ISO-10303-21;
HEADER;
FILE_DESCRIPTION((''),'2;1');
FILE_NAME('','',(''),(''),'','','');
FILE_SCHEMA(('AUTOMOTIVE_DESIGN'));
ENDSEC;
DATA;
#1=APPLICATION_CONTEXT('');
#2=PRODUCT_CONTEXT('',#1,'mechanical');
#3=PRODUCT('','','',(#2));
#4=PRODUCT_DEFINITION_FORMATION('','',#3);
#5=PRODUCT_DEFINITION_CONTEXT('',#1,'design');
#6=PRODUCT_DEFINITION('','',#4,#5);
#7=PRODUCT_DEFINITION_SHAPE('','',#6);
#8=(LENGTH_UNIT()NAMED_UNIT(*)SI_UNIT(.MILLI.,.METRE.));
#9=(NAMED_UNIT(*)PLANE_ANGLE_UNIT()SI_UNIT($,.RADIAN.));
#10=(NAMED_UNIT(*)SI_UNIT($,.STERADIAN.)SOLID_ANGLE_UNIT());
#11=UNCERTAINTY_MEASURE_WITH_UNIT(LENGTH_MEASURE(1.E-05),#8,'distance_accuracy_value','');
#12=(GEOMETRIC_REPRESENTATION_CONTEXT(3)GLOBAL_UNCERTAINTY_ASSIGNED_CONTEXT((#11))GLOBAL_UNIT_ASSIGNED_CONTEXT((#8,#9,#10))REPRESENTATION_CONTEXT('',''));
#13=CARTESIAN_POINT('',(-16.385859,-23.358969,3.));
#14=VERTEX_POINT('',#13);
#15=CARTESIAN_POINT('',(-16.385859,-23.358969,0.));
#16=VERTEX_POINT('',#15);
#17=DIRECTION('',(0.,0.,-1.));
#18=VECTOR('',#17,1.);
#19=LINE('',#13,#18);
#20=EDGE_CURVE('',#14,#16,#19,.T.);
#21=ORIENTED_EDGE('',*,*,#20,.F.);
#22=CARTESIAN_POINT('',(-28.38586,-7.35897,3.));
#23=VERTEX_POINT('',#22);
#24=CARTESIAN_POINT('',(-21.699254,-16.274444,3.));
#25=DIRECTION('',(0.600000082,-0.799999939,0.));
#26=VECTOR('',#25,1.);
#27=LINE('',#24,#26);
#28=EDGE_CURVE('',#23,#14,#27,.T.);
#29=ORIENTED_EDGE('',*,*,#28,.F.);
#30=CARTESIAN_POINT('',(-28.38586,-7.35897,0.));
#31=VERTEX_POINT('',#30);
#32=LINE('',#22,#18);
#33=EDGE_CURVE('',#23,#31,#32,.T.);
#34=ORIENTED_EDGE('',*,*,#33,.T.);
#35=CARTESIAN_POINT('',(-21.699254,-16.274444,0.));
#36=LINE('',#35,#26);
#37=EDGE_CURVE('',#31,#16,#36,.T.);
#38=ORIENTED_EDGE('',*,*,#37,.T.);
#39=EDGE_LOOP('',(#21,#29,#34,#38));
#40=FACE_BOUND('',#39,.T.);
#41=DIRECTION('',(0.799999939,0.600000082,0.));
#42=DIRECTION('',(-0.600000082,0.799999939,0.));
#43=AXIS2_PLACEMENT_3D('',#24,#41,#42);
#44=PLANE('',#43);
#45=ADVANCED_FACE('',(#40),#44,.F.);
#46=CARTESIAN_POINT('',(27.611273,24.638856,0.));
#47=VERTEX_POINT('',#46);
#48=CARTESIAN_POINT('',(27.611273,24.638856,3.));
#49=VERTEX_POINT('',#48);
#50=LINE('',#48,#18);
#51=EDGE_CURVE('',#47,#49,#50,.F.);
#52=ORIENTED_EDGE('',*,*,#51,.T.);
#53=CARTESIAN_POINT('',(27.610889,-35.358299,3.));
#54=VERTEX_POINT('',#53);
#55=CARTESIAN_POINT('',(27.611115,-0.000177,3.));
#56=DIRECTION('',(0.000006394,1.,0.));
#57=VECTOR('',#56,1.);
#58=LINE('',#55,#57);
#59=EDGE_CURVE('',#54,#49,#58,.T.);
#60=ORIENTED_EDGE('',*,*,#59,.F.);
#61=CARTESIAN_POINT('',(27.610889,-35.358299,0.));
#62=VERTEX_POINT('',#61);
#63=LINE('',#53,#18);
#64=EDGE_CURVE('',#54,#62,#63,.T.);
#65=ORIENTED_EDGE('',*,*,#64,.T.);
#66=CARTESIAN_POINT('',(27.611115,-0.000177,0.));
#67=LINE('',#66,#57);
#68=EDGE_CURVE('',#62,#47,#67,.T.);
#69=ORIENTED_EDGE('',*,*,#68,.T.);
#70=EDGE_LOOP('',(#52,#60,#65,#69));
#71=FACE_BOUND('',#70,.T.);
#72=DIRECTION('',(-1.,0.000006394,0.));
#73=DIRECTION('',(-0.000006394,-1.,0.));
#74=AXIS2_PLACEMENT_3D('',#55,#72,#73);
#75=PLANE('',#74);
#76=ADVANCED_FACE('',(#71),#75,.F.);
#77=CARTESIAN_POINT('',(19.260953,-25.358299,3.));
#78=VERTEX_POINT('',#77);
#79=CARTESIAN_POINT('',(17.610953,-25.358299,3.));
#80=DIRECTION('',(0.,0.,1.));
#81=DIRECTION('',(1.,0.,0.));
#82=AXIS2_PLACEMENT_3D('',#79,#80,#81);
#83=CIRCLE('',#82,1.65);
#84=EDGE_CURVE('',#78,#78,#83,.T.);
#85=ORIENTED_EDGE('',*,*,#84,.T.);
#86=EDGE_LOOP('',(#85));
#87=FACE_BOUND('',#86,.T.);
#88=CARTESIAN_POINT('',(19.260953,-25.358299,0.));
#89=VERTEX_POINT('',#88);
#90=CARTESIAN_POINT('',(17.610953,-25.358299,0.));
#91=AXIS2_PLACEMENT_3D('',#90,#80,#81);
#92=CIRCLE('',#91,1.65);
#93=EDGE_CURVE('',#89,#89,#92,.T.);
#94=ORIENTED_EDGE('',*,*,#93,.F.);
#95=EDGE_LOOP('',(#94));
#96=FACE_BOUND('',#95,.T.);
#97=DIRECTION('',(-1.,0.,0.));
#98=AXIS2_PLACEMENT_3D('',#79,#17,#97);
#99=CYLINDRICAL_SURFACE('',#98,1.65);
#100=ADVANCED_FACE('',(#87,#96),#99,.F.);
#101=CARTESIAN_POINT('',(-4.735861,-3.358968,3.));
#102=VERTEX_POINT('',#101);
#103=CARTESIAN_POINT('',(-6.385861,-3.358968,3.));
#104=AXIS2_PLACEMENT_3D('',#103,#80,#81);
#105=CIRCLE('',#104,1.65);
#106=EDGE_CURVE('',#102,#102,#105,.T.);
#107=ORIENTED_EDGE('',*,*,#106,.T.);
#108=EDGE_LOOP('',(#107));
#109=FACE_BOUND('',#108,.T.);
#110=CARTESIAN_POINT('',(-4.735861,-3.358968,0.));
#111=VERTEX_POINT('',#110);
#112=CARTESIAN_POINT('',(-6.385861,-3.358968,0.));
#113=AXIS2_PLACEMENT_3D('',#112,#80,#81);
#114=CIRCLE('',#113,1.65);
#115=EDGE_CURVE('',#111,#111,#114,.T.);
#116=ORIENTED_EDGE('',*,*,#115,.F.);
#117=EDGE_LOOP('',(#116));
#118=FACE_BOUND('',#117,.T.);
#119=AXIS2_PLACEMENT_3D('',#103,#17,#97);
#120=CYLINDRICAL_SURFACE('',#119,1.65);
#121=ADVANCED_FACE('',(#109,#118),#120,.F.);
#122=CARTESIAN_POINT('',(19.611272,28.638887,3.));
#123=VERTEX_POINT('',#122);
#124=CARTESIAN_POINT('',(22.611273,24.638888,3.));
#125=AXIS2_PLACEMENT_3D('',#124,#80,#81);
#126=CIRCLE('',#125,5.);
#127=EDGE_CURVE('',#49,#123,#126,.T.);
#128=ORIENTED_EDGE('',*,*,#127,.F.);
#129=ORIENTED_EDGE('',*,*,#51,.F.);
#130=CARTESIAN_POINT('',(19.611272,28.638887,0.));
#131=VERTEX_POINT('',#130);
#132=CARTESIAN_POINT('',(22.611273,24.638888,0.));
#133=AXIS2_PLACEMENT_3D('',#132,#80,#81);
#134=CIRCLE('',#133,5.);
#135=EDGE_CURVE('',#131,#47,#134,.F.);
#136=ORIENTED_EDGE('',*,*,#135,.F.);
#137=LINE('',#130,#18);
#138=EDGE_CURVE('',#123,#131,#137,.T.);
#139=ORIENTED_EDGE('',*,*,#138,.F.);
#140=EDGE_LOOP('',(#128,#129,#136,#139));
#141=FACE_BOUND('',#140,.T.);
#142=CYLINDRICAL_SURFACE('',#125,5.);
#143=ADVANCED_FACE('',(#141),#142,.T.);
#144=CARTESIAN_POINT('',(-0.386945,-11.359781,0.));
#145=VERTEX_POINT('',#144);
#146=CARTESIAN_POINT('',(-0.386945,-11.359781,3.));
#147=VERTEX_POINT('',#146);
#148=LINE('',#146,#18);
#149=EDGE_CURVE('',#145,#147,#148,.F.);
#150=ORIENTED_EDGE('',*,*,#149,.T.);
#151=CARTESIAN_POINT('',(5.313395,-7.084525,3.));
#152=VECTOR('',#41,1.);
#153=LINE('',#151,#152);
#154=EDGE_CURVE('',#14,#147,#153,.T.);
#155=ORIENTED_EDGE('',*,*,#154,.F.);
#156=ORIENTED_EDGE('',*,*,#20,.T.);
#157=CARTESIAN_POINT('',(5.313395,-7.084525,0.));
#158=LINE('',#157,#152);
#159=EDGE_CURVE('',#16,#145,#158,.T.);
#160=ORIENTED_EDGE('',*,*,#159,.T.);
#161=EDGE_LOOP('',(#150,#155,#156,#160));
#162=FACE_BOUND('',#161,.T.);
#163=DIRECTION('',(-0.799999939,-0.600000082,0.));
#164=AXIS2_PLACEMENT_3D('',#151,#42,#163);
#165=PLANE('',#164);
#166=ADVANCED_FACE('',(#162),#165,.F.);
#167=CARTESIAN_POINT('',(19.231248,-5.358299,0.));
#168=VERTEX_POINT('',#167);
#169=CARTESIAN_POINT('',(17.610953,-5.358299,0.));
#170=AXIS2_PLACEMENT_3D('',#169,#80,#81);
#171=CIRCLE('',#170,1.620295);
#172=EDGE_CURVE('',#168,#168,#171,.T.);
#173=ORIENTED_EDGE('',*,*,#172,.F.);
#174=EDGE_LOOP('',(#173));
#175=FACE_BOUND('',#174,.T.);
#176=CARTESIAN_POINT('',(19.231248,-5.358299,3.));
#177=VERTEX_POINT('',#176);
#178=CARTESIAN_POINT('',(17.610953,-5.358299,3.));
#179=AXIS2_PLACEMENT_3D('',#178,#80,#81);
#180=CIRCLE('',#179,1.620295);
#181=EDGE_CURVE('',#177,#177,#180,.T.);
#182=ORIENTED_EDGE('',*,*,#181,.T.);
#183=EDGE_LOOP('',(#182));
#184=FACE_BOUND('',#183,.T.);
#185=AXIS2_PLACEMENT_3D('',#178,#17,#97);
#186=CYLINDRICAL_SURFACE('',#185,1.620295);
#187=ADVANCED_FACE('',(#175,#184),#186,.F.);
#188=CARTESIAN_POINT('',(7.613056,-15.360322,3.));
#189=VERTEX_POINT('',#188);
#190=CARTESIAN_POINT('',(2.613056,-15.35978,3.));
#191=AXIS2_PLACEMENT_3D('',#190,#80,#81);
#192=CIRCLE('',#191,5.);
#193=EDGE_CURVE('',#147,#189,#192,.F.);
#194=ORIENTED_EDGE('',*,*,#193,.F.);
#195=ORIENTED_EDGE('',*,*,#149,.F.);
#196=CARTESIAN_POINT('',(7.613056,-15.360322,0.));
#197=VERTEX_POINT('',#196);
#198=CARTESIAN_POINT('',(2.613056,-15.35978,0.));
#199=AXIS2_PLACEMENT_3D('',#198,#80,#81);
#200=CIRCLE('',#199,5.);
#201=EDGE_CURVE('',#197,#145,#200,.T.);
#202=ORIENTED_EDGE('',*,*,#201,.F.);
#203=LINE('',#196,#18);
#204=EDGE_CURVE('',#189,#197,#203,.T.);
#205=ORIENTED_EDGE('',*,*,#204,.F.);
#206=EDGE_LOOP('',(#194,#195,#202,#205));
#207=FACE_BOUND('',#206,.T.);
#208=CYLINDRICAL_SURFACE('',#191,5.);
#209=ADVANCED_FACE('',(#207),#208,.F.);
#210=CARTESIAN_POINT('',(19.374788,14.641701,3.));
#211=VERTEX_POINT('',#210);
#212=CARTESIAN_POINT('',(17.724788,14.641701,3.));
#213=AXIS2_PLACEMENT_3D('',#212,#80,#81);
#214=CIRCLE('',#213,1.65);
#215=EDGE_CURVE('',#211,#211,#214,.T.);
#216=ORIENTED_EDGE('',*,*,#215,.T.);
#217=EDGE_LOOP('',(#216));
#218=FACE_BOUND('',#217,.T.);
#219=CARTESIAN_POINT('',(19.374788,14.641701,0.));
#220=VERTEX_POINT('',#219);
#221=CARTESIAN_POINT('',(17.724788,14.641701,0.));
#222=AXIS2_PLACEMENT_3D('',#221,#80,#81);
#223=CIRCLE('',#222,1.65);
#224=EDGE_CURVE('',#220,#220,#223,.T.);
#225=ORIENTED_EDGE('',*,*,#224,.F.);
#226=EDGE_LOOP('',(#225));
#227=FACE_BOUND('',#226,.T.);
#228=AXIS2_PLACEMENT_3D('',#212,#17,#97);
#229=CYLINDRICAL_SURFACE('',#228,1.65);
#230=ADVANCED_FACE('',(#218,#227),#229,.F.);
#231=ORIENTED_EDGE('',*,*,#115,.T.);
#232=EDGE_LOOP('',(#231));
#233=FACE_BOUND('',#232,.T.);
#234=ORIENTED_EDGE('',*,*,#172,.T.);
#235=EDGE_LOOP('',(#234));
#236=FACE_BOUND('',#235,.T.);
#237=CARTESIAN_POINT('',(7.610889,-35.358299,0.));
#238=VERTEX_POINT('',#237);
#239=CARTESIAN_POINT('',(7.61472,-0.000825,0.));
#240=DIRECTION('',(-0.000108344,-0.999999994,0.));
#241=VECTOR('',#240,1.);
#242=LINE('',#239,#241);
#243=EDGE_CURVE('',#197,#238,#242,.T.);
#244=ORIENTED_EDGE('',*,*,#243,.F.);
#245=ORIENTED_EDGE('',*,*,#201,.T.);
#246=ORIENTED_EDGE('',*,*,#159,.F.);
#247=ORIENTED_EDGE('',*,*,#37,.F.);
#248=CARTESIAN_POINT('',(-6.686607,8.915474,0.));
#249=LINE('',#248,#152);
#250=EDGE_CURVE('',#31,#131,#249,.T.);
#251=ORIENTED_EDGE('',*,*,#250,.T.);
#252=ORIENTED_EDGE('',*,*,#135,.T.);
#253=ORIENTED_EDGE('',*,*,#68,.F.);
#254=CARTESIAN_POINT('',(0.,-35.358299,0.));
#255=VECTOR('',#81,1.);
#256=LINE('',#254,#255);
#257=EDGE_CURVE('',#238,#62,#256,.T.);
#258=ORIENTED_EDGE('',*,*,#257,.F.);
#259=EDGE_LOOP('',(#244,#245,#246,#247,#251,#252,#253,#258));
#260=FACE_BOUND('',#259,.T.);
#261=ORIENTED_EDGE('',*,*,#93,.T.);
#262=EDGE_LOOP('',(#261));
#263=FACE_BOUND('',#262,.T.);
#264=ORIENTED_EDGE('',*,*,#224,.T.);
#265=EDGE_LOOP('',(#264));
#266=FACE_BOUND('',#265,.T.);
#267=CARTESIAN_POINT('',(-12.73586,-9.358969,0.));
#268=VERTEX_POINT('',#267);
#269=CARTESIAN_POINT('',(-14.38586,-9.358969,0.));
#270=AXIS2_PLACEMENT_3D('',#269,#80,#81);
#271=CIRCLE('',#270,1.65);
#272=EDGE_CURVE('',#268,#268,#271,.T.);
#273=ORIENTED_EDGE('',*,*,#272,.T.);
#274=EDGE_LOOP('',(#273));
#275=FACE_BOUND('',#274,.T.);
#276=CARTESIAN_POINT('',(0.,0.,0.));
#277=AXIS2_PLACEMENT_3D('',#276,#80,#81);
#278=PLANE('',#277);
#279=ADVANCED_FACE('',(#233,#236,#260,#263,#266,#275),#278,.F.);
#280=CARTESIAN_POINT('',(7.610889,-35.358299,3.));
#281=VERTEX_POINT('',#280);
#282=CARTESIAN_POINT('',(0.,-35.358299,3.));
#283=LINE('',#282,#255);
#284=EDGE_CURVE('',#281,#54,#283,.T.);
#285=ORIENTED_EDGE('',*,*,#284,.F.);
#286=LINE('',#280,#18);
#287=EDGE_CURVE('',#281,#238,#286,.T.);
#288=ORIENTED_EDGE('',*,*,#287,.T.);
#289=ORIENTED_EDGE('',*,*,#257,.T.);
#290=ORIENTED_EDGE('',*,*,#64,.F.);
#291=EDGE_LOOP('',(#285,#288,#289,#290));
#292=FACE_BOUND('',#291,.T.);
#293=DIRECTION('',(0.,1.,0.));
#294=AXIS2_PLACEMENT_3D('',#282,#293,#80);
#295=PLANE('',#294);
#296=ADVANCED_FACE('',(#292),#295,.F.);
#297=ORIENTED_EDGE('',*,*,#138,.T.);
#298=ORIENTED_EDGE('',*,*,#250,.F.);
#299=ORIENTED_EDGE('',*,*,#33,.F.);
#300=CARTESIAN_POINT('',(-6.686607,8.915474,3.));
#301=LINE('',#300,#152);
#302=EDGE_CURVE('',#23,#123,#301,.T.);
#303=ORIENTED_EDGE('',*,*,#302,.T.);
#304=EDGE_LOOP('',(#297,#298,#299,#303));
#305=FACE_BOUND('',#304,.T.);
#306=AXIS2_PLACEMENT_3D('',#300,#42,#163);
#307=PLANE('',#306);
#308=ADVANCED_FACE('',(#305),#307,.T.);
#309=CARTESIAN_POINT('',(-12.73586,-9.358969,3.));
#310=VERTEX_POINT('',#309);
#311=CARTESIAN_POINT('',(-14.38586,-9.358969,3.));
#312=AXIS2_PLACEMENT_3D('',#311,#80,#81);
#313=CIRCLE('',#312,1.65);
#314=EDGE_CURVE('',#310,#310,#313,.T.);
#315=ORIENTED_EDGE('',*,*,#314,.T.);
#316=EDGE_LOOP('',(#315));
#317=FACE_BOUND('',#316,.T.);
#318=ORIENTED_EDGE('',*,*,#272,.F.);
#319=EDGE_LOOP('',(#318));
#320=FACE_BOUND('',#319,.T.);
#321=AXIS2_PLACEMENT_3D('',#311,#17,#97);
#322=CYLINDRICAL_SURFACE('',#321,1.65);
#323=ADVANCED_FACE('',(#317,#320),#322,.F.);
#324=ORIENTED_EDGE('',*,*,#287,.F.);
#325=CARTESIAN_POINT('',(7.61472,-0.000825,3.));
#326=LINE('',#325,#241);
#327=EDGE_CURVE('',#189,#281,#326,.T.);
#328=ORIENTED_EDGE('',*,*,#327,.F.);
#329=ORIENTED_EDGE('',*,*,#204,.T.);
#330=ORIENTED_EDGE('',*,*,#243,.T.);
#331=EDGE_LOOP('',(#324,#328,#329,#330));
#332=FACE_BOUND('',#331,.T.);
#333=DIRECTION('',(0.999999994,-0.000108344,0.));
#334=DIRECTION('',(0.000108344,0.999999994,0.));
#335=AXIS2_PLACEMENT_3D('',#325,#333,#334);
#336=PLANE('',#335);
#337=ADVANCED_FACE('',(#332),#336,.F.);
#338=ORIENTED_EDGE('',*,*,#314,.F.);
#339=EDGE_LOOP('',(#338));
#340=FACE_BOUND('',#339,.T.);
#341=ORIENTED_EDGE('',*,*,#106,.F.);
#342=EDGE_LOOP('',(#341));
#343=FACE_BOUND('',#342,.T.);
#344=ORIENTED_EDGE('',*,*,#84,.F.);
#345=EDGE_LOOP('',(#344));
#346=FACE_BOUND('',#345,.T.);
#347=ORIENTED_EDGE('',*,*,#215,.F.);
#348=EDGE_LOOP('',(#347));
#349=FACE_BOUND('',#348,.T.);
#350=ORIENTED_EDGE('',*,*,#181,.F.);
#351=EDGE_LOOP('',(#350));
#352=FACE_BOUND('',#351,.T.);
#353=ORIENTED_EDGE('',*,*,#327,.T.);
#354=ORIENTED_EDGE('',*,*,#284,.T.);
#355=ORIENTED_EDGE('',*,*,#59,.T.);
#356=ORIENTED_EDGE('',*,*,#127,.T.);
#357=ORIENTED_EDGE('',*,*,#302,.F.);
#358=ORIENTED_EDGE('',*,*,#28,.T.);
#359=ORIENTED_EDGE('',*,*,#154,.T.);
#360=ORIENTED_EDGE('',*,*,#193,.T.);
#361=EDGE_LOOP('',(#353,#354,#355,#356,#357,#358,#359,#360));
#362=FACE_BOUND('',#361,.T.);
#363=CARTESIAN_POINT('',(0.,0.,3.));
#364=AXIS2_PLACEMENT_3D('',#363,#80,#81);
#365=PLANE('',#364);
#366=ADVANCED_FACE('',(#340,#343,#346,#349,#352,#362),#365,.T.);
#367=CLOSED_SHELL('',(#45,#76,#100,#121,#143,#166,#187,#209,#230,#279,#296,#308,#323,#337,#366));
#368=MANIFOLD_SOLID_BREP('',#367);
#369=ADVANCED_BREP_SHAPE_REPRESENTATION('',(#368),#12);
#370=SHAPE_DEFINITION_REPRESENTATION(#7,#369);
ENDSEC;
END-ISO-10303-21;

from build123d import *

# Parameters (mm, degrees)
SKETCH_1_R      = 1.65
SKETCH_1_R_2    = 1.620295374
EXTRUDE_1_DEPTH = 3
FILLET_1_R      = 5


with BuildPart() as part:
    # 草图1 → 凸台-拉伸1 (new body)
    with BuildSketch(Plane.XY):
        Polygon((-4.38586222, 10.641032467), (27.611336651, 34.638936735), (27.610889092, -35.358299417), (7.610889171, -35.358299417), (7.614139416, -5.358966306), (-16.385858742, -23.358968761), (-28.385860379, -7.358969988), align=None)
        with Locations((17.724788113, 14.641700583)):
            Circle(SKETCH_1_R, mode=Mode.SUBTRACT)
        with Locations((17.610953032, -5.358299417)):
            Circle(SKETCH_1_R_2, mode=Mode.SUBTRACT)
        with Locations((17.610953032, -25.358299417)):
            Circle(SKETCH_1_R, mode=Mode.SUBTRACT)
        with Locations((-6.385860788, -3.358967738)):
            Circle(SKETCH_1_R, mode=Mode.SUBTRACT)
        with Locations((-14.385860174, -9.358968556)):
            Circle(SKETCH_1_R, mode=Mode.SUBTRACT)
    extrude(amount=EXTRUDE_1_DEPTH)

    # 圆角1
    fillet_1_edges = [part.edges().sort_by_distance(p)[0] for p in [
        (27.611336651, 34.638936735, 1.5),
        (7.614139416, -5.358966306, 1.5),
    ]]
    fillet(fillet_1_edges, radius=FILLET_1_R)


solid = part.part
